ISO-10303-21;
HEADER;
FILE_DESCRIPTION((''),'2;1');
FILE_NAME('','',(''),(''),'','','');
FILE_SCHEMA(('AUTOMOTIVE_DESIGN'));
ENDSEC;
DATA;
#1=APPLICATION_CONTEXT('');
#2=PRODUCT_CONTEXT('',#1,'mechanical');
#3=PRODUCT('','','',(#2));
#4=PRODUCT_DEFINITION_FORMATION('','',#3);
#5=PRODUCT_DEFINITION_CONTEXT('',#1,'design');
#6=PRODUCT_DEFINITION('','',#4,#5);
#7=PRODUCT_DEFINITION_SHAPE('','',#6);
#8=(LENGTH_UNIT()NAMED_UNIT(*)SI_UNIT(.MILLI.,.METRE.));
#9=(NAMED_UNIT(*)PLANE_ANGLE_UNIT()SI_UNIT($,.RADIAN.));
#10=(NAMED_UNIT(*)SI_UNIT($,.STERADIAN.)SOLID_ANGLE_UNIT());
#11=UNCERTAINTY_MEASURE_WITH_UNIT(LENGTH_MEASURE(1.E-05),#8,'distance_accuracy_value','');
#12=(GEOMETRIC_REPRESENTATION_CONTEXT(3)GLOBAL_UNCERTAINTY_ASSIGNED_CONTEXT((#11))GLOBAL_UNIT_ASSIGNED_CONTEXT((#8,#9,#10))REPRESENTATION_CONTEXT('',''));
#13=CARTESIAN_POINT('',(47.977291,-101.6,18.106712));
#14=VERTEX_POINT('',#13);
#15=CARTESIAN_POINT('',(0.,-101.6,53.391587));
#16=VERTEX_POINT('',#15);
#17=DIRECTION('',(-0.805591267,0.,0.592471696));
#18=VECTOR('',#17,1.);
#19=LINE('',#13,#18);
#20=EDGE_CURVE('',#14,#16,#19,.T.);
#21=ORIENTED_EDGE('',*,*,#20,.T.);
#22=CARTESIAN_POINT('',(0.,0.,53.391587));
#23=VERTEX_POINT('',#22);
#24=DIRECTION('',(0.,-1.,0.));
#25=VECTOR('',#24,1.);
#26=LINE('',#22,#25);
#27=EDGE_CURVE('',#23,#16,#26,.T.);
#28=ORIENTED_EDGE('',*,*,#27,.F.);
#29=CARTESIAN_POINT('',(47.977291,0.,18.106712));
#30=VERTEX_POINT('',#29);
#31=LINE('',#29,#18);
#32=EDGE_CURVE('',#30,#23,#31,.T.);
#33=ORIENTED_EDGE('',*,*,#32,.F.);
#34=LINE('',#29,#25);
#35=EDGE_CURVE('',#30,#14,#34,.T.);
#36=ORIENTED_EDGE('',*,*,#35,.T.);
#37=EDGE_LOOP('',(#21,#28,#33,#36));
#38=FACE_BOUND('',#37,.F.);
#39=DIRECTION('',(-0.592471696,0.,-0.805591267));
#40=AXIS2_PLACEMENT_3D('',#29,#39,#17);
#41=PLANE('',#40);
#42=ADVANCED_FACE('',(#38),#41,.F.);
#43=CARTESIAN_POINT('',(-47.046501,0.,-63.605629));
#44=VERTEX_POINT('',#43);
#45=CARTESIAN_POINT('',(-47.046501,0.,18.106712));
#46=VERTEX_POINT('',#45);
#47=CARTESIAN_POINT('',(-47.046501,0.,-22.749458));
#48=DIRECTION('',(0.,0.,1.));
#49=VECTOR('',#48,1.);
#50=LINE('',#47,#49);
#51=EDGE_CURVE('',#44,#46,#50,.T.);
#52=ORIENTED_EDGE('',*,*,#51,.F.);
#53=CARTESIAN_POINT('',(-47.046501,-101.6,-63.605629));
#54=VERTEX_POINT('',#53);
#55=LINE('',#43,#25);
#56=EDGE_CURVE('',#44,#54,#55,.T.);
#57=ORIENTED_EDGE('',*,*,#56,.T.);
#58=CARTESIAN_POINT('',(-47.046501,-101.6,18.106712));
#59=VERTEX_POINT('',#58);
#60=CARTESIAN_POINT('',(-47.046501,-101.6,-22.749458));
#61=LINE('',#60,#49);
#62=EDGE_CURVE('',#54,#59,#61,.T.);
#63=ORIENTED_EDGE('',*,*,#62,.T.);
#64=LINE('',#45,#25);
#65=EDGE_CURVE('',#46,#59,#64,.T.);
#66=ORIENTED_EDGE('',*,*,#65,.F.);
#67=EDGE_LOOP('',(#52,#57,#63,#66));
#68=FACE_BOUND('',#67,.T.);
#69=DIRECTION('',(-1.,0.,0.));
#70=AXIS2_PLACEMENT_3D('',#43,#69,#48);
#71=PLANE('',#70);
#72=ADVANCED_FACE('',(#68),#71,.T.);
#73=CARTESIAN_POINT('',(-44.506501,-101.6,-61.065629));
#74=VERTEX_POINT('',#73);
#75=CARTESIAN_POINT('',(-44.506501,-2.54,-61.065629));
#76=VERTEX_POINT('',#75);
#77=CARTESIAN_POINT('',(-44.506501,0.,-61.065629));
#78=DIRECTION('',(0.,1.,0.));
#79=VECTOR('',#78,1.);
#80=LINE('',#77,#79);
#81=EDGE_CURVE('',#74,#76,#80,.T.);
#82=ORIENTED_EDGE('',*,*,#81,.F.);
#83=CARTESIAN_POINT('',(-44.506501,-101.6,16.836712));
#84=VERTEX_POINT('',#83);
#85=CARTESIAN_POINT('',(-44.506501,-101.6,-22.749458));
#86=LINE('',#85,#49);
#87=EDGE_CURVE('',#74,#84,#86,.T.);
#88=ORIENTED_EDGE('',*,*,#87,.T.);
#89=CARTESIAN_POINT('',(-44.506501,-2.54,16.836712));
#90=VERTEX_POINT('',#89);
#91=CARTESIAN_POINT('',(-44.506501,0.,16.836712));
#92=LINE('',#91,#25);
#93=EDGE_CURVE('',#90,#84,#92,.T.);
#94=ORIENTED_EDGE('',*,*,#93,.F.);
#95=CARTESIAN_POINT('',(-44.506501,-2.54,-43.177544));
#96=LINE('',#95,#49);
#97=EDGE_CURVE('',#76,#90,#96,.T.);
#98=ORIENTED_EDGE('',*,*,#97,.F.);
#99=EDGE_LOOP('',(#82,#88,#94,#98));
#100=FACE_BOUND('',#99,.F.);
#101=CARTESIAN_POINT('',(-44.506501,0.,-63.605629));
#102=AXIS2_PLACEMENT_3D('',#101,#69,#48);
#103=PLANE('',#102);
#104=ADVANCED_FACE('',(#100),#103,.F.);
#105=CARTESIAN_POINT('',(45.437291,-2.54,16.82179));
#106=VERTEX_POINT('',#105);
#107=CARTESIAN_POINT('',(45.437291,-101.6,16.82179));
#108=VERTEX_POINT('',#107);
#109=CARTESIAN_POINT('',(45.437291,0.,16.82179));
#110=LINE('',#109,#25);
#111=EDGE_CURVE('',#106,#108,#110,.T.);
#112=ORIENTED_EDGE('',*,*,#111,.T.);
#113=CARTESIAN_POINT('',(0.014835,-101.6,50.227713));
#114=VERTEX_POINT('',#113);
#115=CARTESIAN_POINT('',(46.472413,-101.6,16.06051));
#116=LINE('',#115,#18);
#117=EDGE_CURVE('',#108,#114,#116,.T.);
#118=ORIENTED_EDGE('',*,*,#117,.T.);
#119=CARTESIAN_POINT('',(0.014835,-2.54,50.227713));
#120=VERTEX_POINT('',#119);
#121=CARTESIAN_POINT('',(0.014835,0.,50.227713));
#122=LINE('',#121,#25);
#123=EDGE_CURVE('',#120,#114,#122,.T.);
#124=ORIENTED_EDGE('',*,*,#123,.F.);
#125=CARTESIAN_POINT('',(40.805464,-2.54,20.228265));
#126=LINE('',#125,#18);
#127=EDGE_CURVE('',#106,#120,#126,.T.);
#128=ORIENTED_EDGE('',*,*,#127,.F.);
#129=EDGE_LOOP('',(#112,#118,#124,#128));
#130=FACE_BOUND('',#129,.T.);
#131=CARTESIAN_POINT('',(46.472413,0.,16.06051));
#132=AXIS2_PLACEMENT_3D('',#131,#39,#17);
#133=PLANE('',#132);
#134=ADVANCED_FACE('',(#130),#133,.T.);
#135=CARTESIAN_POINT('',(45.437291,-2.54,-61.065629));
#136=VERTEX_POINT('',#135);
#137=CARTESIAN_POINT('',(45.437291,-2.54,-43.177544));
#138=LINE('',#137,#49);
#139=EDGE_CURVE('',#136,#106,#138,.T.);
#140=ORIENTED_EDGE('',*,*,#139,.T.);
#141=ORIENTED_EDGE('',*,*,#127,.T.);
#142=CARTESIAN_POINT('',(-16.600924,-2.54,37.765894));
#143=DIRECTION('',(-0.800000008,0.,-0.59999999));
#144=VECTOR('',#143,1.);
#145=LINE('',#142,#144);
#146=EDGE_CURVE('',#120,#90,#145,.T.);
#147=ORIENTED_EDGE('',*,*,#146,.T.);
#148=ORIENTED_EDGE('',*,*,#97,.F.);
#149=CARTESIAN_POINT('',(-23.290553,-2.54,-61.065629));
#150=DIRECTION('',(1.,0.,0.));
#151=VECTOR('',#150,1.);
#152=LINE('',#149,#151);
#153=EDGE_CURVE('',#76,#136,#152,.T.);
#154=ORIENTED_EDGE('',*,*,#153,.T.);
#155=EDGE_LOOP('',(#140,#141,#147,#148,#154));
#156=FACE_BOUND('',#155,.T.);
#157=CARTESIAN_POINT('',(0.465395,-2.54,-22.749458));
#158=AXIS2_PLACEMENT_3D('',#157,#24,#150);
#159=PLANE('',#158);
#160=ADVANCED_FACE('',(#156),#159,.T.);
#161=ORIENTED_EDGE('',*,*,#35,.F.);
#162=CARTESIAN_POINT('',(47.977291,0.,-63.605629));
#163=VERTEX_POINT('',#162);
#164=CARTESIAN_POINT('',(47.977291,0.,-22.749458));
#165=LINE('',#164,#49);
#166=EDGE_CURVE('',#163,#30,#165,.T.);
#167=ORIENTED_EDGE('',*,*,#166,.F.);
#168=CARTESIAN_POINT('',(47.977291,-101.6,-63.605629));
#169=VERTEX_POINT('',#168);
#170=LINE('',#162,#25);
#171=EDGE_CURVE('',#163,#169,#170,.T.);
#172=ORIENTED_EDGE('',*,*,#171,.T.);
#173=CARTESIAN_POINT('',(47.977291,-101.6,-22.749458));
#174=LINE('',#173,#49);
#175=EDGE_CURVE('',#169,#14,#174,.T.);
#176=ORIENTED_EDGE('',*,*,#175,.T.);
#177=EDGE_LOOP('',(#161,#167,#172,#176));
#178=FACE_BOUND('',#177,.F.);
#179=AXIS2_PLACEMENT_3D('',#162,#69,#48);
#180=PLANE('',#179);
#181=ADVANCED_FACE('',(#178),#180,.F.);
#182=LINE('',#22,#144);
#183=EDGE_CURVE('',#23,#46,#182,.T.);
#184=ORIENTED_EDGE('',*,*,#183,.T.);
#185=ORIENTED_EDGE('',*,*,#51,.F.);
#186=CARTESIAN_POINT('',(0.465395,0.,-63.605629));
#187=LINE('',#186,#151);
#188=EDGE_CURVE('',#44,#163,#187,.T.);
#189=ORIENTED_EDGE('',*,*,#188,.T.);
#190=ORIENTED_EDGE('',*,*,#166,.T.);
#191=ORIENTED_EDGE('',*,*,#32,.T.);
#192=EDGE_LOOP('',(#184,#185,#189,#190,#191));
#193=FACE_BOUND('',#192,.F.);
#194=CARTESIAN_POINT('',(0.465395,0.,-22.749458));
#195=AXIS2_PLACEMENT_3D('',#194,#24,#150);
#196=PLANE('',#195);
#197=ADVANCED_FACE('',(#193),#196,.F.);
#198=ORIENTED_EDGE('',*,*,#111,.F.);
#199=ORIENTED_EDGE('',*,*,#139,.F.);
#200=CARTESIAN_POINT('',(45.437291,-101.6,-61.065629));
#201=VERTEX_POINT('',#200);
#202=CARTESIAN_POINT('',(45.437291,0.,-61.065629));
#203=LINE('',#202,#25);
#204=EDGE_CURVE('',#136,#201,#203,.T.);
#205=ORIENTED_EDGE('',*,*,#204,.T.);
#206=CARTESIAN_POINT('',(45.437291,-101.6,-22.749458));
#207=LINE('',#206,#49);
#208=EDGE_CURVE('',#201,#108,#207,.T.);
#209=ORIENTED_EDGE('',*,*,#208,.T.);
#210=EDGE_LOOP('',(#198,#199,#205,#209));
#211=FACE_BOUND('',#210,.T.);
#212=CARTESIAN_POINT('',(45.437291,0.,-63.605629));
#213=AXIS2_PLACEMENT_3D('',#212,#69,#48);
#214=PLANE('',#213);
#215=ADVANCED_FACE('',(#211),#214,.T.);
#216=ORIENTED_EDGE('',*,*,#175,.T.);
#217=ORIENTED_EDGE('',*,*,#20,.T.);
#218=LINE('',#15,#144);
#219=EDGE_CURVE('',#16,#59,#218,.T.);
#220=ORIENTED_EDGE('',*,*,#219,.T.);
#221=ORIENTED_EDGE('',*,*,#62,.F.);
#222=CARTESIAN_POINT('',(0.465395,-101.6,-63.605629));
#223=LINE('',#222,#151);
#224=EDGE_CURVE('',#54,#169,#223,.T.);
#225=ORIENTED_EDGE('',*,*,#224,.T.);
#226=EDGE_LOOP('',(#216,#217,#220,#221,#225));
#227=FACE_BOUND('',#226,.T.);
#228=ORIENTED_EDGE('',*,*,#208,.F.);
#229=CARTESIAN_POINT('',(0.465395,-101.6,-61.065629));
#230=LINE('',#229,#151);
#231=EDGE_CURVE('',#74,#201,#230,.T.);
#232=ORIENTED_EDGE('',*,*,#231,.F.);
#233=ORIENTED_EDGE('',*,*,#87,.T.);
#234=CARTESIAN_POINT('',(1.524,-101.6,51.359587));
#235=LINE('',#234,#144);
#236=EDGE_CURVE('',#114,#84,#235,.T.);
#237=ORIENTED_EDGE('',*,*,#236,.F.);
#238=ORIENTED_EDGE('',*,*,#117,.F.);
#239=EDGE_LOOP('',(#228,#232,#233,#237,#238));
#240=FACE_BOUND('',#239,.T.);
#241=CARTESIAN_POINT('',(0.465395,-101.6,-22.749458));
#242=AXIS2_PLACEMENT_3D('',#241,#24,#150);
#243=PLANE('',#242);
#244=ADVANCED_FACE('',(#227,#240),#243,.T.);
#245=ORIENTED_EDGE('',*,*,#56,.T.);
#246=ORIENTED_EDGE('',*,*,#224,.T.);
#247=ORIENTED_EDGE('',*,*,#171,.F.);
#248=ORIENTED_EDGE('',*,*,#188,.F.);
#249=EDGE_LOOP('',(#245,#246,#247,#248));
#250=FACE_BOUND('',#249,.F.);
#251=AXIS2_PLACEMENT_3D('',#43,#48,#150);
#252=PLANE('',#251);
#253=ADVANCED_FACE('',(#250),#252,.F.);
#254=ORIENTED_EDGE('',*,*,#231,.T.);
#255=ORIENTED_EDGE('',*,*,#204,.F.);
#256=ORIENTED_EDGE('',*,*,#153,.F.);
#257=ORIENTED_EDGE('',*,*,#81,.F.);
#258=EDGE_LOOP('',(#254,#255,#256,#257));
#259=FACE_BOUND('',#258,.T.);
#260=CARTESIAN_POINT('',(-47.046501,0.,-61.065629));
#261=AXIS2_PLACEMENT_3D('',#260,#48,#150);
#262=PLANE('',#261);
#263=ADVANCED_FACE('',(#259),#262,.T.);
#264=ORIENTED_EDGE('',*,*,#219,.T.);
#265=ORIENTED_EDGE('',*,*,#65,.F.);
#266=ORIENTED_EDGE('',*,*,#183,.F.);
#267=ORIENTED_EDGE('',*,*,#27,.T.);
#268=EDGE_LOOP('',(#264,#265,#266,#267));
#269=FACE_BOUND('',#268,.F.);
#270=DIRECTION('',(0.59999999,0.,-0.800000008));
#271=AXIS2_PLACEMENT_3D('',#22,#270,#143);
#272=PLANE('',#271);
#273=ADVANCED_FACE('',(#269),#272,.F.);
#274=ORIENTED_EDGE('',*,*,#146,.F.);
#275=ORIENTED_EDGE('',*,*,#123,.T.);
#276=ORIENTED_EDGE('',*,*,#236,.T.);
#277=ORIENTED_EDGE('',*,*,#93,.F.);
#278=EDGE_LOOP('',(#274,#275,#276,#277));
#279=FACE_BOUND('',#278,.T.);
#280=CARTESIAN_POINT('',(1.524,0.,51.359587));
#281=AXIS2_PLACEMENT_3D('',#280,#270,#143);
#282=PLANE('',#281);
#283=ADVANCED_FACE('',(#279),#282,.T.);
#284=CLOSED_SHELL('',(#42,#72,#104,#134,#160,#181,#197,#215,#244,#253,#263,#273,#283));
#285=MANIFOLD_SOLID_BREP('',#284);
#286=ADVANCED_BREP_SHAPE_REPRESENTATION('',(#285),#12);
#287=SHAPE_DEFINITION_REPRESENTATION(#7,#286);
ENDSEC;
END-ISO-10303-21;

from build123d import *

# Parameters (mm, degrees)
F0_W     = 95.023792459
F0_H     = 81.7123409361
F1_DEPTH = 101.6
F2_T     = -2.54


with BuildPart() as f1:
    # F0 (on Front) → F1 (new body)
    with BuildSketch(Plane.XZ):
        with Locations((0.46539504, -22.7494584396)):
            Rectangle(F0_W, F0_H)
        Polygon((0, 53.3915869892), (-47.0465011895, 18.1067120284), (47.9772912695, 18.1067120284), align=None)
    extrude(amount=F1_DEPTH)

    # F2
    f2_openings = [f1.faces().sort_by_distance(p)[0] for p in [
        (0.437848, -101.6, -13.406111),
    ]]
    offset(amount=F2_T, openings=f2_openings)


solid = f1.part
